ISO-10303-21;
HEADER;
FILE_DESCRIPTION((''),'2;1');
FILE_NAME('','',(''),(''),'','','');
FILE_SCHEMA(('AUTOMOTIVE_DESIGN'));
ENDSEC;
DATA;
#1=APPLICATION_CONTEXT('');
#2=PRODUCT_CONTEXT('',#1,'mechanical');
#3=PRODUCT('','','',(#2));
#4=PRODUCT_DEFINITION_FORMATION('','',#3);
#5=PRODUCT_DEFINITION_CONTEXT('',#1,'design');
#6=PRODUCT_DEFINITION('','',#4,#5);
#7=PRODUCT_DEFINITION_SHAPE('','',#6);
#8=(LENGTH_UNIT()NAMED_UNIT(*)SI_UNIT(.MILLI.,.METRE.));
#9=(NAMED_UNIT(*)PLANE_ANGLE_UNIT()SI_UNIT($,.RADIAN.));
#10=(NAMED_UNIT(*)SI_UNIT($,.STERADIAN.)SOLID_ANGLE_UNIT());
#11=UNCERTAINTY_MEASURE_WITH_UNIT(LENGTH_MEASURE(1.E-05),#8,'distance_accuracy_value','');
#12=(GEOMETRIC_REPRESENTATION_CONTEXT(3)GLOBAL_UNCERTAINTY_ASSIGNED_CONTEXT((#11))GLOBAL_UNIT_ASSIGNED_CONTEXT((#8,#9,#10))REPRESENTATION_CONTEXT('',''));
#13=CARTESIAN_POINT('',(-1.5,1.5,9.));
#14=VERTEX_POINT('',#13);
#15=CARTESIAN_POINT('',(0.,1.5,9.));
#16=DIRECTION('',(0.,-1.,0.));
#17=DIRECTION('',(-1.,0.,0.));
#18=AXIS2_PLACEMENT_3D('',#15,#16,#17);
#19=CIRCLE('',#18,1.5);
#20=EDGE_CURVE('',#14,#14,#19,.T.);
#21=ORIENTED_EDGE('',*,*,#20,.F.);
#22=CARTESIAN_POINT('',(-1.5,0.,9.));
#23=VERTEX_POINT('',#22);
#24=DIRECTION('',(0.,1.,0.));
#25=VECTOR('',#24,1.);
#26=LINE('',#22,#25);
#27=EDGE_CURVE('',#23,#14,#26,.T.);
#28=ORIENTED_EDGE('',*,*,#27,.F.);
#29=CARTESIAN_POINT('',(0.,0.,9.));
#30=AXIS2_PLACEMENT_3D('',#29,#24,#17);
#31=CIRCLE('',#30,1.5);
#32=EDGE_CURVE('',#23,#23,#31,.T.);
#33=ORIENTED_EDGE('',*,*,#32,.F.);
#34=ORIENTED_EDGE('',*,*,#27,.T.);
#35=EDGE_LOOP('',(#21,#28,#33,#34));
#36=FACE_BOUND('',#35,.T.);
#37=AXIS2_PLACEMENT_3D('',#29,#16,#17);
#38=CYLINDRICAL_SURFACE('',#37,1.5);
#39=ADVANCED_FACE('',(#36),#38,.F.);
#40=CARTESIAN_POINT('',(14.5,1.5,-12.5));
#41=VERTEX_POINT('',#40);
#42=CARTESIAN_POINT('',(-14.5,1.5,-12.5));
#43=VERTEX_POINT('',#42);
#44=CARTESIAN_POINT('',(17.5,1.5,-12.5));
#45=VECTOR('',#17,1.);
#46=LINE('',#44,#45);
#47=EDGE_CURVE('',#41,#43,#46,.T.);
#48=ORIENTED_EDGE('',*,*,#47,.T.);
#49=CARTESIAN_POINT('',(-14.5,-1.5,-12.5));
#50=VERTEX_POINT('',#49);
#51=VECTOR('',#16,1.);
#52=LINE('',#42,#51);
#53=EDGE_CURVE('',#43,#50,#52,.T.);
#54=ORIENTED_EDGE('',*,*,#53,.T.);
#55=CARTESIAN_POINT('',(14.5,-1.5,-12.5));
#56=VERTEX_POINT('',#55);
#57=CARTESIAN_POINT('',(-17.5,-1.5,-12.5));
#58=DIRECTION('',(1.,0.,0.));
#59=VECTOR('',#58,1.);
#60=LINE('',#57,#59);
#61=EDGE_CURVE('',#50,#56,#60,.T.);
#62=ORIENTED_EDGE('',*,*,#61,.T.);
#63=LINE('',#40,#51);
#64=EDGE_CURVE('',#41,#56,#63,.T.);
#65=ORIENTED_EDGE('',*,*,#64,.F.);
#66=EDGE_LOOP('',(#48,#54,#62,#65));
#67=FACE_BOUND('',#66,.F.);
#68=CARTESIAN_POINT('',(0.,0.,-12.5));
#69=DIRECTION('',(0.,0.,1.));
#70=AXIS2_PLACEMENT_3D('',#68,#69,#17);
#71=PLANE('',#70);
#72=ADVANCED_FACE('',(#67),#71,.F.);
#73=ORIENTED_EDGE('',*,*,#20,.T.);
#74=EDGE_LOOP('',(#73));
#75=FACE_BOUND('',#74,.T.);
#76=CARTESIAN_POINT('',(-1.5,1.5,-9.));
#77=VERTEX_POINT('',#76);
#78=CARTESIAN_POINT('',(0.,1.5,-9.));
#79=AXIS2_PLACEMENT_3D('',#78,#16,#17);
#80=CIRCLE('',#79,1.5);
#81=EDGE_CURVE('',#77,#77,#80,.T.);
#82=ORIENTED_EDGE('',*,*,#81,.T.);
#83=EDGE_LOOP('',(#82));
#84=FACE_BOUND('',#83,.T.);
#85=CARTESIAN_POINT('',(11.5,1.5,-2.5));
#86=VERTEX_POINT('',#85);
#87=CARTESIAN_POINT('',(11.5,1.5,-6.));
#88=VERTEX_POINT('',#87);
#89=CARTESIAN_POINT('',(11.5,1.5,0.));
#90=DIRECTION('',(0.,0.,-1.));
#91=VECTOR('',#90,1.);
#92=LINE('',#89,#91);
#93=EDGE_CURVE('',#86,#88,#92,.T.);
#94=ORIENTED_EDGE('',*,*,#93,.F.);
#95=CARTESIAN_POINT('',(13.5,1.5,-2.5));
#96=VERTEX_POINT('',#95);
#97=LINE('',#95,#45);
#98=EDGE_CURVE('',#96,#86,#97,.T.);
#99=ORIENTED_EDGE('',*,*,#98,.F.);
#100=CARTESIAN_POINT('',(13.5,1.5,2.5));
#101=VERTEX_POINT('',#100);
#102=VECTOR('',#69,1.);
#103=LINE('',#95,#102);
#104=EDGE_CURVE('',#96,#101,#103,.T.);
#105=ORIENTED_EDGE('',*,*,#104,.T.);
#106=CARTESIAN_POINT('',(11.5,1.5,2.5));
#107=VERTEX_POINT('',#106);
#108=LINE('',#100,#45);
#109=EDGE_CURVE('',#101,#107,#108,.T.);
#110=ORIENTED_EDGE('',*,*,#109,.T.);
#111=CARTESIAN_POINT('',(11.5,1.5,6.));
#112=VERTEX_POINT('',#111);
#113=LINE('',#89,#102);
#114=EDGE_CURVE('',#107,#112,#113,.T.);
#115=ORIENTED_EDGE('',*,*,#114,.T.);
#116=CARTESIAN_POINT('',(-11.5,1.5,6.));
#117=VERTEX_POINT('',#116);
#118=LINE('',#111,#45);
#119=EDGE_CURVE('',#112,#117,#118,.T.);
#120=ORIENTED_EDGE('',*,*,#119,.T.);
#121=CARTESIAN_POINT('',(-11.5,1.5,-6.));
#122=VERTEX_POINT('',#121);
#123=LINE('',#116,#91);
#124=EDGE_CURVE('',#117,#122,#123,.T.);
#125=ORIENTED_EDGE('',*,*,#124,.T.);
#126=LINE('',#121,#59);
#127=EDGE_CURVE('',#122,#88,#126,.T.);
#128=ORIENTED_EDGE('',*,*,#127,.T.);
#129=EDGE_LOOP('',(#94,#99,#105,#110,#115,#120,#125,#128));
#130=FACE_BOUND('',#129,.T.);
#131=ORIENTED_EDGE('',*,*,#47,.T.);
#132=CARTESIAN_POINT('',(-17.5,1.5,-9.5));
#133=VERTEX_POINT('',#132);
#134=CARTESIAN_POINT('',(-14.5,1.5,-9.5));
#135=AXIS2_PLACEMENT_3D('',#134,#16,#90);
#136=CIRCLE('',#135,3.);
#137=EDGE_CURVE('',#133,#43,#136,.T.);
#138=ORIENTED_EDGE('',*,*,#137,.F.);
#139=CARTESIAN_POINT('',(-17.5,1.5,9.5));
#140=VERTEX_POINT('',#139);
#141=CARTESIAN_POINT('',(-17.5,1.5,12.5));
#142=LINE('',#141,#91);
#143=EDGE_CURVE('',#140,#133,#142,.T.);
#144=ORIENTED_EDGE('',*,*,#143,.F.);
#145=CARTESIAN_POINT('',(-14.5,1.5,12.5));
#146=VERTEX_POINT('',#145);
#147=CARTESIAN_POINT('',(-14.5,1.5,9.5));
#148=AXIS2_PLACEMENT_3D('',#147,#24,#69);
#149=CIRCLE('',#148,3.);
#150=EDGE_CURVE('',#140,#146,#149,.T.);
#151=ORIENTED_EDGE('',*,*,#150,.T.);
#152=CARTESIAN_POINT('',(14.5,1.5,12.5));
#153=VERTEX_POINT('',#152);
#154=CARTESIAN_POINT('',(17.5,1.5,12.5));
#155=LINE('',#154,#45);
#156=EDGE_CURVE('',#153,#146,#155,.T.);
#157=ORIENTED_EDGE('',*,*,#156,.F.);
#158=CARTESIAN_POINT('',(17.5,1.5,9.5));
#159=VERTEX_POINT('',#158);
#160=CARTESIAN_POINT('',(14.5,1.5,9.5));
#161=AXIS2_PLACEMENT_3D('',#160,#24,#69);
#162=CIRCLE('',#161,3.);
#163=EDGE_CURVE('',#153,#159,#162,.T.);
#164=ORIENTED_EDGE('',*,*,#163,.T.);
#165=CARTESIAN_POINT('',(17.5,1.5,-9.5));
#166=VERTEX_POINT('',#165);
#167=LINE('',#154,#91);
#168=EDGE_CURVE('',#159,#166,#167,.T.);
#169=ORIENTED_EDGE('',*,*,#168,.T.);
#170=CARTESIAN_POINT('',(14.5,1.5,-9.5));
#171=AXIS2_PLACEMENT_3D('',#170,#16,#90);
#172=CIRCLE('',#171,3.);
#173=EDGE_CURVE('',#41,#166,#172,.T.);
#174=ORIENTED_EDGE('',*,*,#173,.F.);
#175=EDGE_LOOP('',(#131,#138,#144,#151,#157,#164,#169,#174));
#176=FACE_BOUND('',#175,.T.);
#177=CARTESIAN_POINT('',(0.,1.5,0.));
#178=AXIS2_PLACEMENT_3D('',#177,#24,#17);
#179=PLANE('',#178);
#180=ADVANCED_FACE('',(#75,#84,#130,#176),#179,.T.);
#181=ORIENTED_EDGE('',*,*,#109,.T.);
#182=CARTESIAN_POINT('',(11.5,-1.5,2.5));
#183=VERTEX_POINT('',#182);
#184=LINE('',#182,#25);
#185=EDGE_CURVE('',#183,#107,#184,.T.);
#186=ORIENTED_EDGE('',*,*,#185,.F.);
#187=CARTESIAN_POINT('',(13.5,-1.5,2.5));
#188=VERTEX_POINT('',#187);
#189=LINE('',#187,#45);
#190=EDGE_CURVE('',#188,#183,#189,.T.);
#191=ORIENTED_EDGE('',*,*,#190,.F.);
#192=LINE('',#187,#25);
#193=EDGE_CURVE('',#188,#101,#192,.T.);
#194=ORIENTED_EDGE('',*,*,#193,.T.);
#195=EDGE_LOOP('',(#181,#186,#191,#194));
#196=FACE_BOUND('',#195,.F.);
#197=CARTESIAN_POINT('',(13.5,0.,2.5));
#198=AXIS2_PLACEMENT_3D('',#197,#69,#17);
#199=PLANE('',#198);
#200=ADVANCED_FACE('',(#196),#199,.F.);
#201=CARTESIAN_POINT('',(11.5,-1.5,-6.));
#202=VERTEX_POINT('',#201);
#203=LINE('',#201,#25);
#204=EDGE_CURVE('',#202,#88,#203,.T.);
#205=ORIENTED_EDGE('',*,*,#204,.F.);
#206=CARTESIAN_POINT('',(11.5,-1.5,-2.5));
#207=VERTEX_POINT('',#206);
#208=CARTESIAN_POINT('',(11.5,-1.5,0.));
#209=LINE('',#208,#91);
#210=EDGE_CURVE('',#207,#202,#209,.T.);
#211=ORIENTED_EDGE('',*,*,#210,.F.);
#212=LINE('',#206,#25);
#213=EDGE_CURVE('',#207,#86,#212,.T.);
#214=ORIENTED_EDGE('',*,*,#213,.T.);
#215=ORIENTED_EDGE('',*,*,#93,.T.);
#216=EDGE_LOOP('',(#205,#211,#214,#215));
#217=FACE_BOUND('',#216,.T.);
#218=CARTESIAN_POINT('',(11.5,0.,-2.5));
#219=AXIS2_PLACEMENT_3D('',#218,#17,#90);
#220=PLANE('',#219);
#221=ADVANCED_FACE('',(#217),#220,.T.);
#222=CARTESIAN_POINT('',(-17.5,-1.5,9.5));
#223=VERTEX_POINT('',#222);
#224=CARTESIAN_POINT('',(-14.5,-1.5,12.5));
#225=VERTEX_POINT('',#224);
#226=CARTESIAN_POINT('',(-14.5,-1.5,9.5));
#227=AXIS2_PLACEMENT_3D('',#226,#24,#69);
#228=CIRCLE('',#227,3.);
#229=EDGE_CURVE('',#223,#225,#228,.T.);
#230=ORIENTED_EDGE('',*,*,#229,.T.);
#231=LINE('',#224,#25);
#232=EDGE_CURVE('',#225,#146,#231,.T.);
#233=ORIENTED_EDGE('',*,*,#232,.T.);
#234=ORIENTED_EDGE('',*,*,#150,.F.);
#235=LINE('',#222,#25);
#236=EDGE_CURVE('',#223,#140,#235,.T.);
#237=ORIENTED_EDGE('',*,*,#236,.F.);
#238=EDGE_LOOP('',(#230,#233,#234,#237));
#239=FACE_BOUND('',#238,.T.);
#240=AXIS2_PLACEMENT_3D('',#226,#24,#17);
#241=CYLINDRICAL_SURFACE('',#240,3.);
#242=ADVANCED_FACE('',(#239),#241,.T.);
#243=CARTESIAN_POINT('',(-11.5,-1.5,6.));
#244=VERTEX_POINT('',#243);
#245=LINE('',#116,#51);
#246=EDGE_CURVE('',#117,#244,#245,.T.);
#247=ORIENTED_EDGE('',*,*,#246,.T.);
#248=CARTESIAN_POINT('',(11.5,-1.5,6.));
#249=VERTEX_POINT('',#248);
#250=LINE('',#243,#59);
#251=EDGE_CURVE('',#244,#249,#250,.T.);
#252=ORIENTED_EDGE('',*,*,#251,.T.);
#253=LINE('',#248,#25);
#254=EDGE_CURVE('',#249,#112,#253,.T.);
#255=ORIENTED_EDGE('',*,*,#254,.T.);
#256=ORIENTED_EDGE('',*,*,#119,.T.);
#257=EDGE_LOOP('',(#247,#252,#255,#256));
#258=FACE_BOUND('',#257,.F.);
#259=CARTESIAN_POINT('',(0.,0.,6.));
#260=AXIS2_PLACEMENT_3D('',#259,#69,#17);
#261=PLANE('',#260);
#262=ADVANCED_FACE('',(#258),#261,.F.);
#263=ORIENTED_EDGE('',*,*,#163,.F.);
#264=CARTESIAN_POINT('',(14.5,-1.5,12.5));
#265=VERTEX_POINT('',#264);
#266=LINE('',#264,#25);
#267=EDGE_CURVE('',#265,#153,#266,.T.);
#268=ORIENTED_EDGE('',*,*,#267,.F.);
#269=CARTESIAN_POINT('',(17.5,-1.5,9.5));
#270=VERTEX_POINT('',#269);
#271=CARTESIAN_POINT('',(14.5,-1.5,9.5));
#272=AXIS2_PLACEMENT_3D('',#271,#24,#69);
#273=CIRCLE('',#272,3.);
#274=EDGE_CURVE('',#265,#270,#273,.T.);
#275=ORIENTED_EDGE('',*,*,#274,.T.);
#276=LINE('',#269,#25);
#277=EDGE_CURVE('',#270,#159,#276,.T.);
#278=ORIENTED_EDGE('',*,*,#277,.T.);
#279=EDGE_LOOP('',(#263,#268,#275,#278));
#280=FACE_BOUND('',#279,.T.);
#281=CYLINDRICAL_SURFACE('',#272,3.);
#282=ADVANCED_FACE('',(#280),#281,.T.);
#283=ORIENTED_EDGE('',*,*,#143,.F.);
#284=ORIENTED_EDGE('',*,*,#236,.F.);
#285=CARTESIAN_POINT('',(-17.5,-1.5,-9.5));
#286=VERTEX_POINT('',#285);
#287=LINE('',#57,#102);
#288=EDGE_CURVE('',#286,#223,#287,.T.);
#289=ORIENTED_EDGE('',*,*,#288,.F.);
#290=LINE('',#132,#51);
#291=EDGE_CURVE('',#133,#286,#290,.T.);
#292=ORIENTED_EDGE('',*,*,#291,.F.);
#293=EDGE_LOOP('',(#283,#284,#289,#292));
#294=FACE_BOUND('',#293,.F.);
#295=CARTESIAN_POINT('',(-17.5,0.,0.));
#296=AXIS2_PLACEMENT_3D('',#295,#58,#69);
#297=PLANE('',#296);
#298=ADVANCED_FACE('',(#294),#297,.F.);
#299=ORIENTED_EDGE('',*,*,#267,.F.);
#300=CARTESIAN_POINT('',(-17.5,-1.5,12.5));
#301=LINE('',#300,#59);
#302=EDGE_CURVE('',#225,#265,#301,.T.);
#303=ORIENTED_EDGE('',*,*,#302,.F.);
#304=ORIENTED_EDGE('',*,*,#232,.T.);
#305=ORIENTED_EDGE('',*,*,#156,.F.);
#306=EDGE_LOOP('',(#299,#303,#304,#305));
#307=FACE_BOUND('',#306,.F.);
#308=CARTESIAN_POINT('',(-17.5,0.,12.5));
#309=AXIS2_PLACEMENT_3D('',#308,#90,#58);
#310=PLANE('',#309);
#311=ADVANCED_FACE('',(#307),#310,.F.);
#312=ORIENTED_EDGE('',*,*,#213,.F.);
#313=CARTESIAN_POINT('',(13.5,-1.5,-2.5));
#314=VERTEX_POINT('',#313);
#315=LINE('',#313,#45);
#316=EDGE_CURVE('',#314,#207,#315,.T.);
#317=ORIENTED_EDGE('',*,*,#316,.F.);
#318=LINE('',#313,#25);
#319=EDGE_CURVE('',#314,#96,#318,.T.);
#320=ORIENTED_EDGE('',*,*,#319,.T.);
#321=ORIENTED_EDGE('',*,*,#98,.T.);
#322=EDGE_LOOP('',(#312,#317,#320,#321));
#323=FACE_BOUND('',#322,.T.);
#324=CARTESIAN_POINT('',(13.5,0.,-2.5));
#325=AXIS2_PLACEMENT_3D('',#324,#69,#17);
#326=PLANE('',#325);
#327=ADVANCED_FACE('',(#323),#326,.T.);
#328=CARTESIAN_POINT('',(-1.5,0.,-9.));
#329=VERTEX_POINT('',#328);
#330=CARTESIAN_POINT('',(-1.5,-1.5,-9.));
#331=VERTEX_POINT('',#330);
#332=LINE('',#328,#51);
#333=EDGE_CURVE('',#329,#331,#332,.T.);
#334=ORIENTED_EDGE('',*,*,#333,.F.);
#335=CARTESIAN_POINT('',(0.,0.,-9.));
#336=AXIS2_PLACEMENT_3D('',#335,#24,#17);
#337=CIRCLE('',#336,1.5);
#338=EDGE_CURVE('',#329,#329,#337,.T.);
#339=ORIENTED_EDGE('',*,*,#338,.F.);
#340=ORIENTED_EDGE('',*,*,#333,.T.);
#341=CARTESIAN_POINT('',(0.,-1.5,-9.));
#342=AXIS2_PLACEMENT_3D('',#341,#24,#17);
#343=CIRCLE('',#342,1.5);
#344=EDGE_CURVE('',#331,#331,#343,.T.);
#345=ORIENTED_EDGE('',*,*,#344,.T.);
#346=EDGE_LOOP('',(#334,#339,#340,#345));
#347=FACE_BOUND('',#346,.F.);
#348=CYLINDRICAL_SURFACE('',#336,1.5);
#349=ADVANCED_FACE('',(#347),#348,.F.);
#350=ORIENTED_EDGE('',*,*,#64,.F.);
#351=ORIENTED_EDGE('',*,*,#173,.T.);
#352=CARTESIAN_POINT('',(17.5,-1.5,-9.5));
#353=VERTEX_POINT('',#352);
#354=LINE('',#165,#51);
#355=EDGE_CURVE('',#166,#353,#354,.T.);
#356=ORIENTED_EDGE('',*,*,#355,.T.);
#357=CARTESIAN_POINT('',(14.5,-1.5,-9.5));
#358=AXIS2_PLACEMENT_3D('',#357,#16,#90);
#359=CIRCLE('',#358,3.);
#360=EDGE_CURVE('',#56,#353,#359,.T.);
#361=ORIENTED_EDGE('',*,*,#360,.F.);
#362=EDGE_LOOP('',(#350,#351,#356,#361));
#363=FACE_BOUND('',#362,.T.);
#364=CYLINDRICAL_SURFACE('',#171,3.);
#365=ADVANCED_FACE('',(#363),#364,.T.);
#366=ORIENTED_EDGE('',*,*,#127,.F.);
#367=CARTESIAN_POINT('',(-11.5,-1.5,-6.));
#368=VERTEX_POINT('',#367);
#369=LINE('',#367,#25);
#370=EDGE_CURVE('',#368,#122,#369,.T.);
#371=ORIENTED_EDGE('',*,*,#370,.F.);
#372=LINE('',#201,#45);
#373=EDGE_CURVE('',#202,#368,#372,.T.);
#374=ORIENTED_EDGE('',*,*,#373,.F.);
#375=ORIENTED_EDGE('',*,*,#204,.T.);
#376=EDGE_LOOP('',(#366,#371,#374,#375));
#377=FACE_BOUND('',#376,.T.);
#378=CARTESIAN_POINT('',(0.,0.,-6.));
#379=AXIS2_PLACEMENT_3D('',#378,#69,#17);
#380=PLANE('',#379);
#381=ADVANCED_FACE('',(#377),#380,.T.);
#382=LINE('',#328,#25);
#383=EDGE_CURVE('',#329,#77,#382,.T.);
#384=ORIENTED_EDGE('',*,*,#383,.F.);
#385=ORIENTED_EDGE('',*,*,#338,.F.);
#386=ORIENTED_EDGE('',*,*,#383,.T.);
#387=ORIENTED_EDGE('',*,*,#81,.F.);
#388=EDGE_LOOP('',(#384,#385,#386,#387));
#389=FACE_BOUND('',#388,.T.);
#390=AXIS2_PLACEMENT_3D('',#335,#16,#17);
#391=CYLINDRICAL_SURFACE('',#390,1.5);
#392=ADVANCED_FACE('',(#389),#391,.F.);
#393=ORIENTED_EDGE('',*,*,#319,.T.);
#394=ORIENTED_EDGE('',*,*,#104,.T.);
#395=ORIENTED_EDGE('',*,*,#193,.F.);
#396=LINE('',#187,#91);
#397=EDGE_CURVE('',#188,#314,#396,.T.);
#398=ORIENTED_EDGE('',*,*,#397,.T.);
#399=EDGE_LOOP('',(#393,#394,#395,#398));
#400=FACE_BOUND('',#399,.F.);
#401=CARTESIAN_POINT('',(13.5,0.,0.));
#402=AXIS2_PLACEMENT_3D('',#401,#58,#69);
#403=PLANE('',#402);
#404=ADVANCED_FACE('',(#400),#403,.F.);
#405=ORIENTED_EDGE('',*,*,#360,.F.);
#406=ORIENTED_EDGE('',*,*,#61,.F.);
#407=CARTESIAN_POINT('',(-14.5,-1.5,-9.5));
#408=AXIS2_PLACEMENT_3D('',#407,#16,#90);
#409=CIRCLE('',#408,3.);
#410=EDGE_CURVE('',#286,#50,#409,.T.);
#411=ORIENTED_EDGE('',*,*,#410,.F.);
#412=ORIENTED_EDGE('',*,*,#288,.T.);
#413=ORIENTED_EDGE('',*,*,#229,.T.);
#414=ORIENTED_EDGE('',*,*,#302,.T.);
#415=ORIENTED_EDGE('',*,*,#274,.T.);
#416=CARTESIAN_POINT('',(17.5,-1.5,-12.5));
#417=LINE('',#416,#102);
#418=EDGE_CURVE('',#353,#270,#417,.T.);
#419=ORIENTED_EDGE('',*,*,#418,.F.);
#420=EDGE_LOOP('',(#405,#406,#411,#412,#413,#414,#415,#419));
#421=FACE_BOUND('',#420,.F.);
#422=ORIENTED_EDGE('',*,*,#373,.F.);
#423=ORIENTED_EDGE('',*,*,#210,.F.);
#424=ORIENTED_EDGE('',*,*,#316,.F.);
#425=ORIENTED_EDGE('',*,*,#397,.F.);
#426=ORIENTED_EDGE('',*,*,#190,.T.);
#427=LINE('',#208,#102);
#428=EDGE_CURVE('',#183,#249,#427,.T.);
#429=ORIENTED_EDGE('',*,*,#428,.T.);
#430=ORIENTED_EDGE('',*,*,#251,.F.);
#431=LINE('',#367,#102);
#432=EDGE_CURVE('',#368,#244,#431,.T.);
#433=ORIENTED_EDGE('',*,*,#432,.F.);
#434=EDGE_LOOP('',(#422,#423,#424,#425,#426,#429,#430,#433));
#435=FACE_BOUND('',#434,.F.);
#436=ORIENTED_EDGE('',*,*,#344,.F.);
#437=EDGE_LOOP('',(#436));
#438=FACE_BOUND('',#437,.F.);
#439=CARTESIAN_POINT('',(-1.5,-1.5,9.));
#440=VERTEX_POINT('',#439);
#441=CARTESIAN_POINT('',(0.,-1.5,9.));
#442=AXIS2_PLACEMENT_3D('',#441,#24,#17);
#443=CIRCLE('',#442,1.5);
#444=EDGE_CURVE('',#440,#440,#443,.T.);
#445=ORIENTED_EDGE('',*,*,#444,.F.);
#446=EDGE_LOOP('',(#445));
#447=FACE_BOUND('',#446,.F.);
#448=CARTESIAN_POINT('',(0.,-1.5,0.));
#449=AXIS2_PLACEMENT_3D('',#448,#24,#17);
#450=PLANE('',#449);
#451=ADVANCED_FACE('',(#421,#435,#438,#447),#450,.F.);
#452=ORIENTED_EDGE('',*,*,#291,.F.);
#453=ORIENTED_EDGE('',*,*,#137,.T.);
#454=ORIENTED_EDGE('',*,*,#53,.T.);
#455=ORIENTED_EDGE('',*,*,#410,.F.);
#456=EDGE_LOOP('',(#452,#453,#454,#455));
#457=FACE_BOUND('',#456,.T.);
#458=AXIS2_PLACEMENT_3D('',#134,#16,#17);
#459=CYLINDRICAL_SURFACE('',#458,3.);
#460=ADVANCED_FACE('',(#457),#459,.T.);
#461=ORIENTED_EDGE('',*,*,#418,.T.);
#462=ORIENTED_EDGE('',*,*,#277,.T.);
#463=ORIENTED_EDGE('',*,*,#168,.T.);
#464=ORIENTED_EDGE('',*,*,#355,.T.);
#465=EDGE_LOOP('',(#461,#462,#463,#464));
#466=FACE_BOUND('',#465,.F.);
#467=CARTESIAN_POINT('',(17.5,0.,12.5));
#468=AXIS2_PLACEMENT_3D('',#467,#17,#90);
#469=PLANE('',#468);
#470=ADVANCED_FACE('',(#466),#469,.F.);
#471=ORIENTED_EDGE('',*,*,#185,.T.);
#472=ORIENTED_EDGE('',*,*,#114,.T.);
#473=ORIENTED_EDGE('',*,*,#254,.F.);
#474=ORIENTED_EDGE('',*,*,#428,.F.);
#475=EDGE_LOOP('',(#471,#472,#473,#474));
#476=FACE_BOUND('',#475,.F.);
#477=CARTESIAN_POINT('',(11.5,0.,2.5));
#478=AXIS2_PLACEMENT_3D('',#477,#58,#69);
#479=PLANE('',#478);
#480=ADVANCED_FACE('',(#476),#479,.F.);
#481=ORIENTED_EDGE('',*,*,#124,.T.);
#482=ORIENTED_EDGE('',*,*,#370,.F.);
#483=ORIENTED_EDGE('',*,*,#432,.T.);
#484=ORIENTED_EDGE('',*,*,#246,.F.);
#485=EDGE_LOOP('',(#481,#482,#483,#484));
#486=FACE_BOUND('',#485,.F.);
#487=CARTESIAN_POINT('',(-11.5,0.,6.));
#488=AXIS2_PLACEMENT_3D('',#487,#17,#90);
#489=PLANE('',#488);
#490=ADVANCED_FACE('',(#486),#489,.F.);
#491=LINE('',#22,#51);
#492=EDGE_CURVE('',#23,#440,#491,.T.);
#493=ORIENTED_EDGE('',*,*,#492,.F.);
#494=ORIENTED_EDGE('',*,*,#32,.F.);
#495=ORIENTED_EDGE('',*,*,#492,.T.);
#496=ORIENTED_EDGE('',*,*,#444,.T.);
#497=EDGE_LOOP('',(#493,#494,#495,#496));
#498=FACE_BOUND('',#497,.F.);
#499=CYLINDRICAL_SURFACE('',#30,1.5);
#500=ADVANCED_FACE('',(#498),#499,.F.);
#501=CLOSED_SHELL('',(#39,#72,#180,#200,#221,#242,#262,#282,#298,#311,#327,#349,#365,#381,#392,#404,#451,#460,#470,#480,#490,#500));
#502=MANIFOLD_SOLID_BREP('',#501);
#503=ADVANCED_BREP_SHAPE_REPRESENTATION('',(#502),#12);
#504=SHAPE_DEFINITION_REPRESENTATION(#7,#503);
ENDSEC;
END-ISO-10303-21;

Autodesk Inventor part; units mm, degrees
ref_plane "YZ Plane" through (0, 0, 0) normal (1, 0, 0) x (0, 1, 0)
ref_plane "XZ Plane" through (0, 0, 0) normal (0, 1, 0) x (-1, 0, 0)
ref_plane "XY Plane" through (0, 0, 0) normal (0, 0, 1) x (1, 0, 0)
sketch "草圖1" plane through (0, 0, 0) normal (0, 1, 0) x (-1, 0, 0)
  line L0 (17.5, 12.5) -> (-17.5, 12.5)
  line L1 (-17.5, 12.5) -> (-17.5, -12.5)
  line L2 (-17.5, -12.5) -> (17.5, -12.5)
  line L3 (17.5, -12.5) -> (17.5, 12.5)
  line L4 (24.5, 0) -> (-24.5, 0) projected
  line L5 (0, -17.5) -> (0, 17.5) projected
  circle A0 centre (0, 9) radius 1.5
  line L6 (11.5, 0) -> (-11.5, 0)
  line L7 (-11.5, 0) -> (-11.5, 6)
  line L8 (-11.5, 6) -> (11.5, 6)
  line L9 (11.5, 6) -> (11.5, 0)
  line L10 (-11.5, 0) -> (-13.5, 0)
  line L11 (-13.5, 0) -> (-13.5, 2.5)
  line L12 (-13.5, 2.5) -> (-11.5, 2.5)
  line L13 (-11.5, 2.5) -> (-11.5, 0)
  circle A1 centre (0, -9) radius 1.5
  line L14 (-11.5, 0) -> (-11.5, -6)
  line L15 (-11.5, -6) -> (11.5, -6)
  line L16 (11.5, -6) -> (11.5, 0)
  line L17 (-13.5, 0) -> (-13.5, -2.5)
  line L18 (-13.5, -2.5) -> (-11.5, -2.5)
  line L19 (-11.5, -2.5) -> (-11.5, 0)
  dimension "d103" = 25
  dimension "d104" = 35
  dimension "d105" = 17.5
  dimension "d106" = 12.5
  dimension "d107" = 3
  dimension "d109" = 6
  dimension "d110" = 6
  dimension "d111" = 23
  dimension "d112" = 2
  dimension "d113" = 2.5
  dimension "d115" = 18
extrude "擠出2" add sketch "草圖1" along normal mid plane 3 contours L3 L4 L9 L8 L5 A0 L0 | L5 A0 L8 L7 L12 L11 L4 L1 L0 | L3 L2 L5 A1 L15 L16 L4 | L4 L17 L18 L14 L15 L5 A1 L2 L1
fillet "圓角2" radius 3 4 edges at (-17.5, 0, 12.5) (17.5, 0, 12.5) (17.5, 0, -12.5) (-17.5, 0, -12.5)
properties part number "板子4"
